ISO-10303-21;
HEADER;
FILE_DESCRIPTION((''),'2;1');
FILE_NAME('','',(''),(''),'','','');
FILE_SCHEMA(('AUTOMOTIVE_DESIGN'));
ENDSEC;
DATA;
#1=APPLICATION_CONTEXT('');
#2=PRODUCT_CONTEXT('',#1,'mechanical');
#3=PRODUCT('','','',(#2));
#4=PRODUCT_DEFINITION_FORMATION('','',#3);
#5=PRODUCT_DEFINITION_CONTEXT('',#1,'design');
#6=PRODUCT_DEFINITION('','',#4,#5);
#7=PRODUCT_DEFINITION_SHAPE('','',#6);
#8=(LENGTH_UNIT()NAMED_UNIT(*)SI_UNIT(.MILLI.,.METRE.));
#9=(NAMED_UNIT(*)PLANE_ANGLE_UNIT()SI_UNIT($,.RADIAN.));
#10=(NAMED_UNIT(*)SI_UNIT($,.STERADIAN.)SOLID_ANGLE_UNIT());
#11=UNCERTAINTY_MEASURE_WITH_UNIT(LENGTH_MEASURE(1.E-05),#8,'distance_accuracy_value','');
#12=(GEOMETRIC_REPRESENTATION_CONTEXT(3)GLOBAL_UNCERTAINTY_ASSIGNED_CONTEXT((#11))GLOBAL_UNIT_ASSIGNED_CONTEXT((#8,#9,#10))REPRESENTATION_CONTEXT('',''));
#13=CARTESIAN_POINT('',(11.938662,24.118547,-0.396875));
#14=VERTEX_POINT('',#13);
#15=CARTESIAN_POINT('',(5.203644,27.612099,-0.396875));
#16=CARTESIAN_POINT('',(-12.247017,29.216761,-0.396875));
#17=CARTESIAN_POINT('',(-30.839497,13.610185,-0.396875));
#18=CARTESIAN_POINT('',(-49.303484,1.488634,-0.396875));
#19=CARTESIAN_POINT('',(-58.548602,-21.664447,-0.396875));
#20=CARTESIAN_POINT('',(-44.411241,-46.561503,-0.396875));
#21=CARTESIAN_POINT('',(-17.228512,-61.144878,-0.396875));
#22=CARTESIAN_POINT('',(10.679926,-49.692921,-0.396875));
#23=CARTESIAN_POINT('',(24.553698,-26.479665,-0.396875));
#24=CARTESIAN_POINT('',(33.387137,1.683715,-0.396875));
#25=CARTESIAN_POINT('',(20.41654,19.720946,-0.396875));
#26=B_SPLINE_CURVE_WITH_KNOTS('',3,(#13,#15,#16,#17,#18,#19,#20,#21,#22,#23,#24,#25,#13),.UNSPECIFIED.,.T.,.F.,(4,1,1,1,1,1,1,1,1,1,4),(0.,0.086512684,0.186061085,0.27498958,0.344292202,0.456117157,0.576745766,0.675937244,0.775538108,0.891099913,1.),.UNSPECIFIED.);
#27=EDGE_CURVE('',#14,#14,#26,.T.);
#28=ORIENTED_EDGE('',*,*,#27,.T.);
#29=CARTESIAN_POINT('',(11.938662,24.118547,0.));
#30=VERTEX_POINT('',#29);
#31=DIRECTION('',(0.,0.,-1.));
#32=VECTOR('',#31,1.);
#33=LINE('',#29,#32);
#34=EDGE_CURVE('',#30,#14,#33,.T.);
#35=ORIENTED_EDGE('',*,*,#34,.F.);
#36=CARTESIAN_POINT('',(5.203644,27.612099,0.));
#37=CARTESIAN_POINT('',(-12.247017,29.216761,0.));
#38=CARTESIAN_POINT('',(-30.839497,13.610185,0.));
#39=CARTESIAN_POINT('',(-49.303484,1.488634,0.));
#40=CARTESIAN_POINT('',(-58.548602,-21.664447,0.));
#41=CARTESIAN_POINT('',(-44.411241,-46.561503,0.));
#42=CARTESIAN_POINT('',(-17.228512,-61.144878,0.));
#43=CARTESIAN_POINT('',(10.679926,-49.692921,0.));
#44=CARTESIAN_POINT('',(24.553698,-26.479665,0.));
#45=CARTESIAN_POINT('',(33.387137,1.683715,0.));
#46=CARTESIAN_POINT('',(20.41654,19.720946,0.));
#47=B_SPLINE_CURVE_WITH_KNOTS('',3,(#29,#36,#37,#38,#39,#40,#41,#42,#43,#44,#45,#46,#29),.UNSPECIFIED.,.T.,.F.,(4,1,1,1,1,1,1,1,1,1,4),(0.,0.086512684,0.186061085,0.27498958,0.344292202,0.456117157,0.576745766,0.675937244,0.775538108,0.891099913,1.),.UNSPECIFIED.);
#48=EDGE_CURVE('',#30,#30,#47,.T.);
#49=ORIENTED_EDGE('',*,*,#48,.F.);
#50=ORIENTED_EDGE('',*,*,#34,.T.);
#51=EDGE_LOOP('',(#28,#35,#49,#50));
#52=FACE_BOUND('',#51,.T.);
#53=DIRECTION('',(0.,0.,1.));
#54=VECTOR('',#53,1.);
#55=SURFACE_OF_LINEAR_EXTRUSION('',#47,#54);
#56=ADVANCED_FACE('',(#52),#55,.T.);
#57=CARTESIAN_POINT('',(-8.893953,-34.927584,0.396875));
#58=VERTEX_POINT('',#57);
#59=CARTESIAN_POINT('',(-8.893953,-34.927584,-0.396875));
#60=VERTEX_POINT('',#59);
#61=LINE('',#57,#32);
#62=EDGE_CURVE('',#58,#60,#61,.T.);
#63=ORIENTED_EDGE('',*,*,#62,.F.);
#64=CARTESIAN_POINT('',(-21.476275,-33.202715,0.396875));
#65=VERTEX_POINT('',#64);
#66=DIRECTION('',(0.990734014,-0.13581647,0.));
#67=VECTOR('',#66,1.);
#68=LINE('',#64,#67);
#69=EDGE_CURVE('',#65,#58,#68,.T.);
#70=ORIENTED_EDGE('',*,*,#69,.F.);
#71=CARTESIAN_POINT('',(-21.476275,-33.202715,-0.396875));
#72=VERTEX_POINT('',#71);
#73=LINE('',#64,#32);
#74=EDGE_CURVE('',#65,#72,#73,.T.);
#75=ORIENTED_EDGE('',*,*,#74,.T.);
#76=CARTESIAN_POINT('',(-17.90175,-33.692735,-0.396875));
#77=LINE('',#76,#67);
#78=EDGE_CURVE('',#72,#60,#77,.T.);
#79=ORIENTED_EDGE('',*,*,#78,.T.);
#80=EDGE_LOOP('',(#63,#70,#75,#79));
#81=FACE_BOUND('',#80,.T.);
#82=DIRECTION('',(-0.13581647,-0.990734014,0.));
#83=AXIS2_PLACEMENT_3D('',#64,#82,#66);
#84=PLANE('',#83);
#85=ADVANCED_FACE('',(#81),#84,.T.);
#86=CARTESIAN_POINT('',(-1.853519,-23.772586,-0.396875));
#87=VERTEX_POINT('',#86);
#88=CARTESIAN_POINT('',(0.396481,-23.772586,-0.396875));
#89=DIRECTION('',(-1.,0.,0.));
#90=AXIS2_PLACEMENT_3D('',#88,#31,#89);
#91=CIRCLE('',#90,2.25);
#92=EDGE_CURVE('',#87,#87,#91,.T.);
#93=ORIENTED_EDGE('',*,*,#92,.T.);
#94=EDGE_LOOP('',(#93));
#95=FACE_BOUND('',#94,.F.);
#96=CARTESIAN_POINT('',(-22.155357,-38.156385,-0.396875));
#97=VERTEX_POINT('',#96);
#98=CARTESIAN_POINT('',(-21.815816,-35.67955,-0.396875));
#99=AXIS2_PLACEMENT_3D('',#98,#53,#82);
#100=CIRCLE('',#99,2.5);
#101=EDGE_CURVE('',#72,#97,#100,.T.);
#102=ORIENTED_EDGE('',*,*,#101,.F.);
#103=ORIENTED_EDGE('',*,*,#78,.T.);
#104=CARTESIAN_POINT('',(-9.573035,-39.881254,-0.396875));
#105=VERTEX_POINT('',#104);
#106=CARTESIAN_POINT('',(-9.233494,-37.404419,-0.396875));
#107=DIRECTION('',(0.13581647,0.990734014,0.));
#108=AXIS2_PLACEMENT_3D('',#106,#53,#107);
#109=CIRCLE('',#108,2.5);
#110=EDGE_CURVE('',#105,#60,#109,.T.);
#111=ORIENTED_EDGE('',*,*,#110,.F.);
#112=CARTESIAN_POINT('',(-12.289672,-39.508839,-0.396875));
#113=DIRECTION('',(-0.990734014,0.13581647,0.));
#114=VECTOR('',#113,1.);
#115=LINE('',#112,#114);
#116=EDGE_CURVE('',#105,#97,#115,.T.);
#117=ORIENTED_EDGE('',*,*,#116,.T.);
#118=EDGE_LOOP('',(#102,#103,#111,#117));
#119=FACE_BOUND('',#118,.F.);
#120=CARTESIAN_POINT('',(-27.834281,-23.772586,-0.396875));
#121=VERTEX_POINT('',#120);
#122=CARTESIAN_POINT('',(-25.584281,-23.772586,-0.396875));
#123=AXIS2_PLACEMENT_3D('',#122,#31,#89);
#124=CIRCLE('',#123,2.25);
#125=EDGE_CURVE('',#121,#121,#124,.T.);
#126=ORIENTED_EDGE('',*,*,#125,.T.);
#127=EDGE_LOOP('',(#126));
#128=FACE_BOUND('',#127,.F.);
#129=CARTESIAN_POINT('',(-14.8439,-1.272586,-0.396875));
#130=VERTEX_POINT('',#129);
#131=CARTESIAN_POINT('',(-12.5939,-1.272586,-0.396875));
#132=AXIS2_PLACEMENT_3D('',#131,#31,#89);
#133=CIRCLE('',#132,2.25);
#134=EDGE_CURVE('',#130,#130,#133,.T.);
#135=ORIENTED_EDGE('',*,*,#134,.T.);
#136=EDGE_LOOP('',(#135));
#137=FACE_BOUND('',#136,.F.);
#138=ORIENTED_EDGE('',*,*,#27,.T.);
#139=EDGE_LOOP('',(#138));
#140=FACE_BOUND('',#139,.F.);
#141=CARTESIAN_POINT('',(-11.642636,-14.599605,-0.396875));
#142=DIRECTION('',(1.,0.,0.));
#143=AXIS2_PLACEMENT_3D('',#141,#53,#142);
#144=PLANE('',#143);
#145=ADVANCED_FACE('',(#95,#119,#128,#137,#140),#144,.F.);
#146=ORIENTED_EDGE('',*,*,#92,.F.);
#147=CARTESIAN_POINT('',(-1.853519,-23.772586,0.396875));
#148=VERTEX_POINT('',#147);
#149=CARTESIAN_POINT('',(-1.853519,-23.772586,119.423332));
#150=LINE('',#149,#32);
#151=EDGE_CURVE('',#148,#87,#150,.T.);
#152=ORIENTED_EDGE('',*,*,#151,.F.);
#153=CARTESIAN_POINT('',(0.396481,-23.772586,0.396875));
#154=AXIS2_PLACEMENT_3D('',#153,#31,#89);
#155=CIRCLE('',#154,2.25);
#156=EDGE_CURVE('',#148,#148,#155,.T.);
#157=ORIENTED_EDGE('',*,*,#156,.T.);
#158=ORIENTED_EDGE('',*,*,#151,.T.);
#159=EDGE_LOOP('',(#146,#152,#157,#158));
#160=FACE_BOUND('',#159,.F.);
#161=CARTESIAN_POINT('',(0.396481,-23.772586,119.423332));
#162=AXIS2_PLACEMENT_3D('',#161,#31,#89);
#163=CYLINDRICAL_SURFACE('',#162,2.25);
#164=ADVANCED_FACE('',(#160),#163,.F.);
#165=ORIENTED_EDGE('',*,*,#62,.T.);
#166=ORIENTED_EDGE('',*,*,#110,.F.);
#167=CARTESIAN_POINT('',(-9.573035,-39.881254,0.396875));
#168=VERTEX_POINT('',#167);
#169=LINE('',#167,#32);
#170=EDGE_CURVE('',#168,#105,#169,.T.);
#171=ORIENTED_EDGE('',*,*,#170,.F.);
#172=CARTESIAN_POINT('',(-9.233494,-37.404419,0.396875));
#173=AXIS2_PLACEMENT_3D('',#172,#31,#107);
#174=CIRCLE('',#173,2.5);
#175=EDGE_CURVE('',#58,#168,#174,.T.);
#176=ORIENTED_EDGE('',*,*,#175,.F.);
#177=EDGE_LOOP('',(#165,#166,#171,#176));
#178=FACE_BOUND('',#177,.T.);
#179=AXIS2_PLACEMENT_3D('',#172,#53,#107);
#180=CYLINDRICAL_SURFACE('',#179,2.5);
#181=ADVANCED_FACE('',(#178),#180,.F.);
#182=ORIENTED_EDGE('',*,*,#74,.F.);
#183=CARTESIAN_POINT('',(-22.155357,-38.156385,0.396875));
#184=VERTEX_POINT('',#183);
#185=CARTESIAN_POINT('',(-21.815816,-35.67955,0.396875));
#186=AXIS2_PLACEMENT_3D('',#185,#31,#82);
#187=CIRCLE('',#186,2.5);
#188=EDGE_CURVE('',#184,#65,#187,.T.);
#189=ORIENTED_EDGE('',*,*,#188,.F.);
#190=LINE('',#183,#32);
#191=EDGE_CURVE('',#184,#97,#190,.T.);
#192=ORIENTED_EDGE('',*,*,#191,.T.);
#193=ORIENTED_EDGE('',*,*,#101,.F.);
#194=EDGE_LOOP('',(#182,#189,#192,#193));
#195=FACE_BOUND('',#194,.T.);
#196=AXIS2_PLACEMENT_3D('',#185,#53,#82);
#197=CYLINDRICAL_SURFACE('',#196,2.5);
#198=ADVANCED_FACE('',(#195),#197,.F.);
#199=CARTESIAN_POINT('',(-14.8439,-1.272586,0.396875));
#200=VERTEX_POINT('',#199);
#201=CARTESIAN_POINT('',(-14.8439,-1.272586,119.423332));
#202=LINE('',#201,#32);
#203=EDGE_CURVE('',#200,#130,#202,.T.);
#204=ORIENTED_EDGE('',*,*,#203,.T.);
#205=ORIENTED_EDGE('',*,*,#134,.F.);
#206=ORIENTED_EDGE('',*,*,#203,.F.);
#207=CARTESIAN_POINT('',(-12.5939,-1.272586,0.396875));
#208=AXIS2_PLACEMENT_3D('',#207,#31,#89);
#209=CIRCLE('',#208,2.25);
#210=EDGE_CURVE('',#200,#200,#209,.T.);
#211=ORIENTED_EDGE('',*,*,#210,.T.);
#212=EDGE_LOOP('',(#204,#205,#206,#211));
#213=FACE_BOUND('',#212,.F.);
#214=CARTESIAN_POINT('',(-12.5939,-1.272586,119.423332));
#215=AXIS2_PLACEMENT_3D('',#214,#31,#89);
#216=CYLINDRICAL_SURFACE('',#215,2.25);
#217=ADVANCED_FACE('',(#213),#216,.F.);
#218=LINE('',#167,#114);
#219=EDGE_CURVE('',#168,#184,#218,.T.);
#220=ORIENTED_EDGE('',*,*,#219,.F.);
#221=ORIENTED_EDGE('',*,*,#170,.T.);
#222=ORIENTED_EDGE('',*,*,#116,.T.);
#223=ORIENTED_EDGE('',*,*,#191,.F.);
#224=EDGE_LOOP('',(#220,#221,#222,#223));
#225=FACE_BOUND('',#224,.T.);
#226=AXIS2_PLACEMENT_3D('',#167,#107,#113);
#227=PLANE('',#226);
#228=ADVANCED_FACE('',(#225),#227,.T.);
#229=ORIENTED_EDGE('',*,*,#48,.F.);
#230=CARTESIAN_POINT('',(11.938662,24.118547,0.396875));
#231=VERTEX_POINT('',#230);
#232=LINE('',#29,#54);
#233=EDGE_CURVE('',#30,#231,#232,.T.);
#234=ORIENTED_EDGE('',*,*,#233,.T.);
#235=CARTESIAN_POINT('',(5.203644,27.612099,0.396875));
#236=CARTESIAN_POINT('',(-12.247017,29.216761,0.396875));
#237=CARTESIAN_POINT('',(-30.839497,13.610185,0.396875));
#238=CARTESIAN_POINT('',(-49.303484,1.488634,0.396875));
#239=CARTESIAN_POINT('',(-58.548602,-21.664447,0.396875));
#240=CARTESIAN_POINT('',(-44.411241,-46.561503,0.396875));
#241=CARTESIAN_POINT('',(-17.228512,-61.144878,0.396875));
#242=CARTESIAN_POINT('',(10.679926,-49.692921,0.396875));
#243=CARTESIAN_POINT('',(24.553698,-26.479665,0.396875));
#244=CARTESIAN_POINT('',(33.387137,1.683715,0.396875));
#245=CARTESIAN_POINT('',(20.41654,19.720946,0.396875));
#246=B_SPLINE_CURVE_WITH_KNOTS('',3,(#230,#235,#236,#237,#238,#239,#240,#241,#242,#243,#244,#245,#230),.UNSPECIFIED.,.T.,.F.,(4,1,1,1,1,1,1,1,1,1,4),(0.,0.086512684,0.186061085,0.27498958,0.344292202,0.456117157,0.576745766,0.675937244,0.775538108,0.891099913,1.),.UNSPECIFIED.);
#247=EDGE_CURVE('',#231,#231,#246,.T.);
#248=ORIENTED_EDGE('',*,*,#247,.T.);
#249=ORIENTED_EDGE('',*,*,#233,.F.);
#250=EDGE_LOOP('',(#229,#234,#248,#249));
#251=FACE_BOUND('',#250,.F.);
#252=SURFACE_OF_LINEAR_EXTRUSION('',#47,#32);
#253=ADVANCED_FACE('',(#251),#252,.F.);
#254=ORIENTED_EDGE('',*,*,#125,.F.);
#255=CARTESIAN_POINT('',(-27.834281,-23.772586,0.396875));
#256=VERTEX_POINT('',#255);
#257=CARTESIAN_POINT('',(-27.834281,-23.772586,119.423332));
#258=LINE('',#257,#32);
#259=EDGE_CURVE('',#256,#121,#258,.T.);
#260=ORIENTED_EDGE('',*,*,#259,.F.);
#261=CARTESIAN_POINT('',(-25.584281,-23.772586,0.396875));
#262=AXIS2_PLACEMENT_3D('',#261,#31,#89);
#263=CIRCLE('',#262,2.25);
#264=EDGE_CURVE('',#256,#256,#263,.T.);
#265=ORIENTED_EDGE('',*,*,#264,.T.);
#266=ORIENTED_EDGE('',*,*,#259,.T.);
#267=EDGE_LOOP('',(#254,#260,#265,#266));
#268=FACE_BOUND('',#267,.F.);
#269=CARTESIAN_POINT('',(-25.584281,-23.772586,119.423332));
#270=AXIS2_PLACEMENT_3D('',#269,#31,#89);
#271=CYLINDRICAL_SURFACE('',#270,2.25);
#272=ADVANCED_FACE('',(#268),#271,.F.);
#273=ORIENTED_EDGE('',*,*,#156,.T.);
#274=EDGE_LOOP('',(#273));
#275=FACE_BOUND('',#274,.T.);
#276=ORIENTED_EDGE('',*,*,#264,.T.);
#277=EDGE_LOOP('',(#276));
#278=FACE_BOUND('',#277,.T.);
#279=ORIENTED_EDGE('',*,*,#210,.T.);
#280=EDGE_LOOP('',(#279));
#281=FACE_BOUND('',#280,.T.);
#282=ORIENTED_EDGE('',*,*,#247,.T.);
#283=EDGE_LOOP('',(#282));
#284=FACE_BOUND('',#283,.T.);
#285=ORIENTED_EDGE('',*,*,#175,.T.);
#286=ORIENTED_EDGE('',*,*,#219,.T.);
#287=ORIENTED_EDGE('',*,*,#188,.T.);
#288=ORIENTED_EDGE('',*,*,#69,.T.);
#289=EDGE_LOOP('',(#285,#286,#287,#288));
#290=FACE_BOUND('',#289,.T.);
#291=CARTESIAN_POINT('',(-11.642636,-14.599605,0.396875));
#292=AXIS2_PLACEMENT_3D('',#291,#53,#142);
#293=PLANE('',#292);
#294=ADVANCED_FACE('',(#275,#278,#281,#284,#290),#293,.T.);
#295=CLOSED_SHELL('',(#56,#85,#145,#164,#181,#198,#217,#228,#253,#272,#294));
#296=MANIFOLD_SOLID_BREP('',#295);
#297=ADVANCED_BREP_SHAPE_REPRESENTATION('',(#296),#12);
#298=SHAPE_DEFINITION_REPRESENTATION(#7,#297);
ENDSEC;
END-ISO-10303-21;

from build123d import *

# Parameters (mm, degrees)
BOSS_EXTRUDE1_DEPTH     = 0.396875
M4_CLEARANCE_HOLE1_D    = 4.5
CUT_EXTRUDE1_DEPTH      = 1.0000001
CUT_EXTRUDE1_DEPTH_BACK = 1.7937501


with BuildPart() as part:
    # Sketch1 → Boss-Extrude1 (new body, symmetric)
    with BuildSketch(Plane.XY):
        with BuildLine():
            add(Edge.make_bspline(
                [(11.938662052, 24.118546546), (5.203644407, 27.612099202), (-12.247017435, 29.216761409), (-30.839497435, 13.610185149), (-49.30348402, 1.488634449), (-58.548601808, -21.664446949), (-44.411240616, -46.56150278), (-17.228511826, -61.144878254), (10.679925614, -49.692920857), (24.553698364, -26.479665335), (33.387137292, 1.683714683), (20.41654036, 19.720946445), (11.938662052, 24.118546546)],
                knots=[0, 0, 0, 0, 0.086512684, 0.186061085, 0.27498958, 0.344292202, 0.456117157, 0.576745766, 0.675937244, 0.775538108, 0.891099913, 1, 1, 1, 1], degree=3))
        make_face()
    extrude(amount=BOSS_EXTRUDE1_DEPTH, both=True)

    # M4 Clearance Hole1 (through all)
    with Locations(Plane.XY.offset(0.396875)):
        with Locations((-12.593900177, -1.272585975), (0.396480879, -23.772585975), (-25.584281234, -23.772585975)):
            Hole(M4_CLEARANCE_HOLE1_D / 2)

    # Sketch8 → Cut-Extrude1 (cut, two sides)
    with BuildSketch(Plane.XY.offset(0.396875)) as cut_extrude1_sk:
        with BuildLine():
            Line((-21.476274898, -33.202714717), (-8.89395292, -34.927583887))
            ThreePointArc((-8.89395292, -34.927583887), (-6.756659061, -37.743960097), (-9.573035271, -39.881253957))
            Line((-9.573035271, -39.881253957), (-22.155357248, -38.156384786))
            ThreePointArc((-22.155357248, -38.156384786), (-24.292651108, -35.340008576), (-21.476274898, -33.202714717))
        make_face()
    extrude(amount=CUT_EXTRUDE1_DEPTH, mode=Mode.SUBTRACT)
    extrude(cut_extrude1_sk.sketch, amount=-CUT_EXTRUDE1_DEPTH_BACK, mode=Mode.SUBTRACT)


solid = part.part
